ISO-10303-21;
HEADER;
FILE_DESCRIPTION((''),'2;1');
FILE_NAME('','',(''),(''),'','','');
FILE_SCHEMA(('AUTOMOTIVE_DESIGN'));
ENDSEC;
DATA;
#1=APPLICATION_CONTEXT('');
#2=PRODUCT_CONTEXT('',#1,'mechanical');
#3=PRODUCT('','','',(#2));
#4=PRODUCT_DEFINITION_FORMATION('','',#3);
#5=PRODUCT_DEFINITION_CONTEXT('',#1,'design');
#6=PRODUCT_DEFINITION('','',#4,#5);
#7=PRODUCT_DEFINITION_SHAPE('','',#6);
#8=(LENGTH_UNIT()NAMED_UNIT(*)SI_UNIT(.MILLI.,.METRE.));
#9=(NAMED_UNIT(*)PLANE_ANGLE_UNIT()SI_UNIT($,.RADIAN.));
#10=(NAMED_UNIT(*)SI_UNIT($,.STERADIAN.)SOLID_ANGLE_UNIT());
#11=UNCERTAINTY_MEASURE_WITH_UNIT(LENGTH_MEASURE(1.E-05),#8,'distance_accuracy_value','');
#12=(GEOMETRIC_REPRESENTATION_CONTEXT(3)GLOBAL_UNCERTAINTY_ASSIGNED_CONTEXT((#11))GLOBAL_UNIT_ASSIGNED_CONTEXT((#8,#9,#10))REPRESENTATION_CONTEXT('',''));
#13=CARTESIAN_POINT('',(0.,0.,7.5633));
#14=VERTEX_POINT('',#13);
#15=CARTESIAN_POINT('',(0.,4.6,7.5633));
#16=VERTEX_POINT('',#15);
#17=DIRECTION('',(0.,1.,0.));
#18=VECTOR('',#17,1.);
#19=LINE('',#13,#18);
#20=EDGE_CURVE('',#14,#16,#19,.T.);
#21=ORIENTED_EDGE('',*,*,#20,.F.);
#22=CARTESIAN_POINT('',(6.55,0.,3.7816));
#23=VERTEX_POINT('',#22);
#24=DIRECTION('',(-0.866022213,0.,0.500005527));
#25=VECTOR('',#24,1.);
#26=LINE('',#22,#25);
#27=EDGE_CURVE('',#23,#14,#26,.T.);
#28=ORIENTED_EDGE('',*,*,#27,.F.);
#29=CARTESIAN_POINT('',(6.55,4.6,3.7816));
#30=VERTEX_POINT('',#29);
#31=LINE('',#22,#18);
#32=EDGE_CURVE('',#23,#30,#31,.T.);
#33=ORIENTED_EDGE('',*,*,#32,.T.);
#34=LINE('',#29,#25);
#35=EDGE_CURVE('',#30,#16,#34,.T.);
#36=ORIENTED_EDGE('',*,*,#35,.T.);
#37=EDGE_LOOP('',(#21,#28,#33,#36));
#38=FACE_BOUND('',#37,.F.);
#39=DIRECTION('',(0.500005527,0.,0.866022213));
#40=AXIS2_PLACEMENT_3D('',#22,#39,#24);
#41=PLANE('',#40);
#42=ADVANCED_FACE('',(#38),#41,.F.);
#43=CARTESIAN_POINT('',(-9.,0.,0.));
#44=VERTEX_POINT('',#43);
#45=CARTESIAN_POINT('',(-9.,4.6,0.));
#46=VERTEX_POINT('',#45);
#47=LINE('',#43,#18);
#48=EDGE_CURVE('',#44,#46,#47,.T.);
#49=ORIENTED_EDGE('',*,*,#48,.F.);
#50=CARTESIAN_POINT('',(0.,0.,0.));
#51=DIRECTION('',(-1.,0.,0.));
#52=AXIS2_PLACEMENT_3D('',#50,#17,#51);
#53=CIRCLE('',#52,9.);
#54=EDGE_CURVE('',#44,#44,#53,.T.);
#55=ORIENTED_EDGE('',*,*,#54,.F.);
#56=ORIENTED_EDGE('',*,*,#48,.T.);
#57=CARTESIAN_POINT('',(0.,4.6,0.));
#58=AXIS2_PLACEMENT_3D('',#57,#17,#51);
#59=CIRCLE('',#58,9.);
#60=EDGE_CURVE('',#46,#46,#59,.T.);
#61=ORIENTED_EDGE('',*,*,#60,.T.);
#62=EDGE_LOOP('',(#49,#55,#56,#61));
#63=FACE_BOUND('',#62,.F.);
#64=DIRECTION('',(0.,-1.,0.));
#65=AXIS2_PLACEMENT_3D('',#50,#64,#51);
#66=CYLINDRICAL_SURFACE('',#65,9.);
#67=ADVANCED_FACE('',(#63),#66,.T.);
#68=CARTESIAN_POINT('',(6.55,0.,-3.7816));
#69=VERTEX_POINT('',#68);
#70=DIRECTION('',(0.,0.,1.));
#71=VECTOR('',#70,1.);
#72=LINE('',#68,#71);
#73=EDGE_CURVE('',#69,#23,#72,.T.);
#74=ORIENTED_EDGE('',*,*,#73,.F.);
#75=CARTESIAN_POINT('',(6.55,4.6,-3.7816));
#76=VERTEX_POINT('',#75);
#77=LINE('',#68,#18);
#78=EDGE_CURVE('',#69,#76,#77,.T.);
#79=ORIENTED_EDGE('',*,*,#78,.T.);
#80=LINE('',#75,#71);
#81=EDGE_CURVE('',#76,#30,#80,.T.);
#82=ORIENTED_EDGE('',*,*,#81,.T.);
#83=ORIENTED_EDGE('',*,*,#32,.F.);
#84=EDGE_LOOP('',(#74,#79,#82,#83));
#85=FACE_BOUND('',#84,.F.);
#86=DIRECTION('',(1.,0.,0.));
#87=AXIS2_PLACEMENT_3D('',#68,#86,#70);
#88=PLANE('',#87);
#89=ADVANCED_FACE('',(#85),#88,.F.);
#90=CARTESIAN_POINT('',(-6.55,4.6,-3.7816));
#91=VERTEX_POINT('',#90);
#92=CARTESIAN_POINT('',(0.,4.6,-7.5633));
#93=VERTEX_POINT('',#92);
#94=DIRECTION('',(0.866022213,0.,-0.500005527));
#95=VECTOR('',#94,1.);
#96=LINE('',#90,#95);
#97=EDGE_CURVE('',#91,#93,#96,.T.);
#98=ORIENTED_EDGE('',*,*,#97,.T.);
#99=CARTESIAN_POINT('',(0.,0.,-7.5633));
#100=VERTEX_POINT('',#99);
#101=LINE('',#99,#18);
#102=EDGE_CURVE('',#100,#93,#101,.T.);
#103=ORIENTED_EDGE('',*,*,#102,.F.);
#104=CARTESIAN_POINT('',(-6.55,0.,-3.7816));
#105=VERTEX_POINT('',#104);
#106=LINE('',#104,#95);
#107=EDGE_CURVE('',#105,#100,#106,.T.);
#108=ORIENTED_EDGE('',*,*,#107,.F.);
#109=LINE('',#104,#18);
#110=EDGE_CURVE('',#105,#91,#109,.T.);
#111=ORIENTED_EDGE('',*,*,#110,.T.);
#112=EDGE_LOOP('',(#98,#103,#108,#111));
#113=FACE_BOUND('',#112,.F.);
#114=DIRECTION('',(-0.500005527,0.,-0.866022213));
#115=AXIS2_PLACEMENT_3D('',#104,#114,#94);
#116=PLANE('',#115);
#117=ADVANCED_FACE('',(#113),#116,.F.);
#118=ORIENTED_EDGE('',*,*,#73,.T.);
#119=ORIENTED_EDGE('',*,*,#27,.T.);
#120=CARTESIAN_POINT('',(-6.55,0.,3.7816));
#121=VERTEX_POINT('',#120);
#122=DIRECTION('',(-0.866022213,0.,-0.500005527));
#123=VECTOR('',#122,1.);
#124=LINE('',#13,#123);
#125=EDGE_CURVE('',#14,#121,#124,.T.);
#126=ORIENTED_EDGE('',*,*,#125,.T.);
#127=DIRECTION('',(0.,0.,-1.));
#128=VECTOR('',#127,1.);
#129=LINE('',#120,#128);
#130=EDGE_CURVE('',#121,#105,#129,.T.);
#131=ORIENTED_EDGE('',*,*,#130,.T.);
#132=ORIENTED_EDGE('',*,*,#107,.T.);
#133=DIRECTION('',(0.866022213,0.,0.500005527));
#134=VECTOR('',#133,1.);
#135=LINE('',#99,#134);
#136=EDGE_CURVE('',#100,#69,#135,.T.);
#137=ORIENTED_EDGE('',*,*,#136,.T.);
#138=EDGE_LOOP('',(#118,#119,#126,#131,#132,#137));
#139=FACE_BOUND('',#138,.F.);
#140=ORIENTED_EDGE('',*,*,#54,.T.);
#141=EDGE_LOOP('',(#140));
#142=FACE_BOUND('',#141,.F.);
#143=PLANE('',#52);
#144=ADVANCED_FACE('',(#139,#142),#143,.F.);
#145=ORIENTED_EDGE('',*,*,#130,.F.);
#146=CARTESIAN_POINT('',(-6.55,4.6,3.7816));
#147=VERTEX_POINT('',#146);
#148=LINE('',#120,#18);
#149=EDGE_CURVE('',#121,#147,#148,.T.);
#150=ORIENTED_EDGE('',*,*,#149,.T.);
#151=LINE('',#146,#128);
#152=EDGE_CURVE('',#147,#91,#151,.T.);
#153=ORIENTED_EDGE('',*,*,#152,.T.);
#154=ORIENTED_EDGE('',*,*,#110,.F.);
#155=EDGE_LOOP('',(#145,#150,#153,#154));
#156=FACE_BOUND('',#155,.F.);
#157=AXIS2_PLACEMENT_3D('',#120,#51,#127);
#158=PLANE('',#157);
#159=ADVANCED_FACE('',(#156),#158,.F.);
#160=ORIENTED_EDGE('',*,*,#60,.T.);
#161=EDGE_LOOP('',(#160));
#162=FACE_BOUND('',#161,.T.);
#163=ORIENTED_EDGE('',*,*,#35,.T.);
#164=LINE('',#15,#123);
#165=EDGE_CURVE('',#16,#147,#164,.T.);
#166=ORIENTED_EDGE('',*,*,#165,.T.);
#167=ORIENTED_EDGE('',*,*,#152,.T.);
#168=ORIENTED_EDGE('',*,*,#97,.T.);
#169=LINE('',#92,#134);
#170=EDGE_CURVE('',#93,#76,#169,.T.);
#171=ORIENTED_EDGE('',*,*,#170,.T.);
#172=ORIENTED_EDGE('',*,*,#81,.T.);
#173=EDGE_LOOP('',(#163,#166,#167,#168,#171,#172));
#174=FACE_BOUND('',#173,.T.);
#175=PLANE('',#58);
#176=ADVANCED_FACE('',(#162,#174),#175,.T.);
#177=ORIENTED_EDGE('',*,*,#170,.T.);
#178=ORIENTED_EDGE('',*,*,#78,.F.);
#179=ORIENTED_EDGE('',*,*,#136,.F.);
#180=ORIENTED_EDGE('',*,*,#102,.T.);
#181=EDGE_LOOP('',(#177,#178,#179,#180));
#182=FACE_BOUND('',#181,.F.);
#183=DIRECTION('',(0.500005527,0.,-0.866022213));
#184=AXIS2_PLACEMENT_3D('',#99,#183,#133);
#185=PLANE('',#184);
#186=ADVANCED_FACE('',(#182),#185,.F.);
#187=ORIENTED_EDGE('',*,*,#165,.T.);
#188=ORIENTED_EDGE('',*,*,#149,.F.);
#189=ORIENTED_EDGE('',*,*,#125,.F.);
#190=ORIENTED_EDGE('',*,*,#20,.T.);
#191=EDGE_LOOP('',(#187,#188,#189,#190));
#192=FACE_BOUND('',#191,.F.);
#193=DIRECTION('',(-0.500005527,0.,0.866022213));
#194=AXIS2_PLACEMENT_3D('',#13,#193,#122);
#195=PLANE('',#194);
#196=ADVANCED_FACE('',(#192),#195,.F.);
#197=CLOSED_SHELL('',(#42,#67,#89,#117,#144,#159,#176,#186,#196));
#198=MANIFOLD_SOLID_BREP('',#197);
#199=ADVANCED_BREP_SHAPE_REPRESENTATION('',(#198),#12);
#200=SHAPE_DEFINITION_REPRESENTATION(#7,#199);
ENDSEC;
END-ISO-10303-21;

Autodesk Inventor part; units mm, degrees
ref_plane "YZ Plane" through (0, 0, 0) normal (1, 0, 0) x (0, 1, 0)
ref_plane "XZ Plane" through (0, 0, 0) normal (0, 1, 0) x (-1, 0, 0)
ref_plane "XY Plane" through (0, 0, 0) normal (0, 0, 1) x (1, 0, 0)
sketch "Sketch1" plane through (0, 0, 0) normal (0, 1, 0) x (-1, 0, 0)
  line L0 (0, 7.5633) -> (6.55, 3.7816)
  line L1 (6.55, 3.7816) -> (6.55, -3.7816)
  line L2 (6.55, -3.7816) -> (0, -7.5633)
  line L3 (0, -7.5633) -> (-6.55, -3.7816)
  line L4 (-6.55, -3.7816) -> (-6.55, 3.7816)
  line L5 (-6.55, 3.7816) -> (0, 7.5633)
  circle A0 centre (0, 0) radius 9
  point P0 (-6.55, 0)
  point P1 (6.55, 0)
  dimension "d0" = 13.1
  dimension "d1" = 18
extrude "Extrusion1" add sketch "Sketch1" along normal blind 4.6
properties part number "Shaft Spacers"
